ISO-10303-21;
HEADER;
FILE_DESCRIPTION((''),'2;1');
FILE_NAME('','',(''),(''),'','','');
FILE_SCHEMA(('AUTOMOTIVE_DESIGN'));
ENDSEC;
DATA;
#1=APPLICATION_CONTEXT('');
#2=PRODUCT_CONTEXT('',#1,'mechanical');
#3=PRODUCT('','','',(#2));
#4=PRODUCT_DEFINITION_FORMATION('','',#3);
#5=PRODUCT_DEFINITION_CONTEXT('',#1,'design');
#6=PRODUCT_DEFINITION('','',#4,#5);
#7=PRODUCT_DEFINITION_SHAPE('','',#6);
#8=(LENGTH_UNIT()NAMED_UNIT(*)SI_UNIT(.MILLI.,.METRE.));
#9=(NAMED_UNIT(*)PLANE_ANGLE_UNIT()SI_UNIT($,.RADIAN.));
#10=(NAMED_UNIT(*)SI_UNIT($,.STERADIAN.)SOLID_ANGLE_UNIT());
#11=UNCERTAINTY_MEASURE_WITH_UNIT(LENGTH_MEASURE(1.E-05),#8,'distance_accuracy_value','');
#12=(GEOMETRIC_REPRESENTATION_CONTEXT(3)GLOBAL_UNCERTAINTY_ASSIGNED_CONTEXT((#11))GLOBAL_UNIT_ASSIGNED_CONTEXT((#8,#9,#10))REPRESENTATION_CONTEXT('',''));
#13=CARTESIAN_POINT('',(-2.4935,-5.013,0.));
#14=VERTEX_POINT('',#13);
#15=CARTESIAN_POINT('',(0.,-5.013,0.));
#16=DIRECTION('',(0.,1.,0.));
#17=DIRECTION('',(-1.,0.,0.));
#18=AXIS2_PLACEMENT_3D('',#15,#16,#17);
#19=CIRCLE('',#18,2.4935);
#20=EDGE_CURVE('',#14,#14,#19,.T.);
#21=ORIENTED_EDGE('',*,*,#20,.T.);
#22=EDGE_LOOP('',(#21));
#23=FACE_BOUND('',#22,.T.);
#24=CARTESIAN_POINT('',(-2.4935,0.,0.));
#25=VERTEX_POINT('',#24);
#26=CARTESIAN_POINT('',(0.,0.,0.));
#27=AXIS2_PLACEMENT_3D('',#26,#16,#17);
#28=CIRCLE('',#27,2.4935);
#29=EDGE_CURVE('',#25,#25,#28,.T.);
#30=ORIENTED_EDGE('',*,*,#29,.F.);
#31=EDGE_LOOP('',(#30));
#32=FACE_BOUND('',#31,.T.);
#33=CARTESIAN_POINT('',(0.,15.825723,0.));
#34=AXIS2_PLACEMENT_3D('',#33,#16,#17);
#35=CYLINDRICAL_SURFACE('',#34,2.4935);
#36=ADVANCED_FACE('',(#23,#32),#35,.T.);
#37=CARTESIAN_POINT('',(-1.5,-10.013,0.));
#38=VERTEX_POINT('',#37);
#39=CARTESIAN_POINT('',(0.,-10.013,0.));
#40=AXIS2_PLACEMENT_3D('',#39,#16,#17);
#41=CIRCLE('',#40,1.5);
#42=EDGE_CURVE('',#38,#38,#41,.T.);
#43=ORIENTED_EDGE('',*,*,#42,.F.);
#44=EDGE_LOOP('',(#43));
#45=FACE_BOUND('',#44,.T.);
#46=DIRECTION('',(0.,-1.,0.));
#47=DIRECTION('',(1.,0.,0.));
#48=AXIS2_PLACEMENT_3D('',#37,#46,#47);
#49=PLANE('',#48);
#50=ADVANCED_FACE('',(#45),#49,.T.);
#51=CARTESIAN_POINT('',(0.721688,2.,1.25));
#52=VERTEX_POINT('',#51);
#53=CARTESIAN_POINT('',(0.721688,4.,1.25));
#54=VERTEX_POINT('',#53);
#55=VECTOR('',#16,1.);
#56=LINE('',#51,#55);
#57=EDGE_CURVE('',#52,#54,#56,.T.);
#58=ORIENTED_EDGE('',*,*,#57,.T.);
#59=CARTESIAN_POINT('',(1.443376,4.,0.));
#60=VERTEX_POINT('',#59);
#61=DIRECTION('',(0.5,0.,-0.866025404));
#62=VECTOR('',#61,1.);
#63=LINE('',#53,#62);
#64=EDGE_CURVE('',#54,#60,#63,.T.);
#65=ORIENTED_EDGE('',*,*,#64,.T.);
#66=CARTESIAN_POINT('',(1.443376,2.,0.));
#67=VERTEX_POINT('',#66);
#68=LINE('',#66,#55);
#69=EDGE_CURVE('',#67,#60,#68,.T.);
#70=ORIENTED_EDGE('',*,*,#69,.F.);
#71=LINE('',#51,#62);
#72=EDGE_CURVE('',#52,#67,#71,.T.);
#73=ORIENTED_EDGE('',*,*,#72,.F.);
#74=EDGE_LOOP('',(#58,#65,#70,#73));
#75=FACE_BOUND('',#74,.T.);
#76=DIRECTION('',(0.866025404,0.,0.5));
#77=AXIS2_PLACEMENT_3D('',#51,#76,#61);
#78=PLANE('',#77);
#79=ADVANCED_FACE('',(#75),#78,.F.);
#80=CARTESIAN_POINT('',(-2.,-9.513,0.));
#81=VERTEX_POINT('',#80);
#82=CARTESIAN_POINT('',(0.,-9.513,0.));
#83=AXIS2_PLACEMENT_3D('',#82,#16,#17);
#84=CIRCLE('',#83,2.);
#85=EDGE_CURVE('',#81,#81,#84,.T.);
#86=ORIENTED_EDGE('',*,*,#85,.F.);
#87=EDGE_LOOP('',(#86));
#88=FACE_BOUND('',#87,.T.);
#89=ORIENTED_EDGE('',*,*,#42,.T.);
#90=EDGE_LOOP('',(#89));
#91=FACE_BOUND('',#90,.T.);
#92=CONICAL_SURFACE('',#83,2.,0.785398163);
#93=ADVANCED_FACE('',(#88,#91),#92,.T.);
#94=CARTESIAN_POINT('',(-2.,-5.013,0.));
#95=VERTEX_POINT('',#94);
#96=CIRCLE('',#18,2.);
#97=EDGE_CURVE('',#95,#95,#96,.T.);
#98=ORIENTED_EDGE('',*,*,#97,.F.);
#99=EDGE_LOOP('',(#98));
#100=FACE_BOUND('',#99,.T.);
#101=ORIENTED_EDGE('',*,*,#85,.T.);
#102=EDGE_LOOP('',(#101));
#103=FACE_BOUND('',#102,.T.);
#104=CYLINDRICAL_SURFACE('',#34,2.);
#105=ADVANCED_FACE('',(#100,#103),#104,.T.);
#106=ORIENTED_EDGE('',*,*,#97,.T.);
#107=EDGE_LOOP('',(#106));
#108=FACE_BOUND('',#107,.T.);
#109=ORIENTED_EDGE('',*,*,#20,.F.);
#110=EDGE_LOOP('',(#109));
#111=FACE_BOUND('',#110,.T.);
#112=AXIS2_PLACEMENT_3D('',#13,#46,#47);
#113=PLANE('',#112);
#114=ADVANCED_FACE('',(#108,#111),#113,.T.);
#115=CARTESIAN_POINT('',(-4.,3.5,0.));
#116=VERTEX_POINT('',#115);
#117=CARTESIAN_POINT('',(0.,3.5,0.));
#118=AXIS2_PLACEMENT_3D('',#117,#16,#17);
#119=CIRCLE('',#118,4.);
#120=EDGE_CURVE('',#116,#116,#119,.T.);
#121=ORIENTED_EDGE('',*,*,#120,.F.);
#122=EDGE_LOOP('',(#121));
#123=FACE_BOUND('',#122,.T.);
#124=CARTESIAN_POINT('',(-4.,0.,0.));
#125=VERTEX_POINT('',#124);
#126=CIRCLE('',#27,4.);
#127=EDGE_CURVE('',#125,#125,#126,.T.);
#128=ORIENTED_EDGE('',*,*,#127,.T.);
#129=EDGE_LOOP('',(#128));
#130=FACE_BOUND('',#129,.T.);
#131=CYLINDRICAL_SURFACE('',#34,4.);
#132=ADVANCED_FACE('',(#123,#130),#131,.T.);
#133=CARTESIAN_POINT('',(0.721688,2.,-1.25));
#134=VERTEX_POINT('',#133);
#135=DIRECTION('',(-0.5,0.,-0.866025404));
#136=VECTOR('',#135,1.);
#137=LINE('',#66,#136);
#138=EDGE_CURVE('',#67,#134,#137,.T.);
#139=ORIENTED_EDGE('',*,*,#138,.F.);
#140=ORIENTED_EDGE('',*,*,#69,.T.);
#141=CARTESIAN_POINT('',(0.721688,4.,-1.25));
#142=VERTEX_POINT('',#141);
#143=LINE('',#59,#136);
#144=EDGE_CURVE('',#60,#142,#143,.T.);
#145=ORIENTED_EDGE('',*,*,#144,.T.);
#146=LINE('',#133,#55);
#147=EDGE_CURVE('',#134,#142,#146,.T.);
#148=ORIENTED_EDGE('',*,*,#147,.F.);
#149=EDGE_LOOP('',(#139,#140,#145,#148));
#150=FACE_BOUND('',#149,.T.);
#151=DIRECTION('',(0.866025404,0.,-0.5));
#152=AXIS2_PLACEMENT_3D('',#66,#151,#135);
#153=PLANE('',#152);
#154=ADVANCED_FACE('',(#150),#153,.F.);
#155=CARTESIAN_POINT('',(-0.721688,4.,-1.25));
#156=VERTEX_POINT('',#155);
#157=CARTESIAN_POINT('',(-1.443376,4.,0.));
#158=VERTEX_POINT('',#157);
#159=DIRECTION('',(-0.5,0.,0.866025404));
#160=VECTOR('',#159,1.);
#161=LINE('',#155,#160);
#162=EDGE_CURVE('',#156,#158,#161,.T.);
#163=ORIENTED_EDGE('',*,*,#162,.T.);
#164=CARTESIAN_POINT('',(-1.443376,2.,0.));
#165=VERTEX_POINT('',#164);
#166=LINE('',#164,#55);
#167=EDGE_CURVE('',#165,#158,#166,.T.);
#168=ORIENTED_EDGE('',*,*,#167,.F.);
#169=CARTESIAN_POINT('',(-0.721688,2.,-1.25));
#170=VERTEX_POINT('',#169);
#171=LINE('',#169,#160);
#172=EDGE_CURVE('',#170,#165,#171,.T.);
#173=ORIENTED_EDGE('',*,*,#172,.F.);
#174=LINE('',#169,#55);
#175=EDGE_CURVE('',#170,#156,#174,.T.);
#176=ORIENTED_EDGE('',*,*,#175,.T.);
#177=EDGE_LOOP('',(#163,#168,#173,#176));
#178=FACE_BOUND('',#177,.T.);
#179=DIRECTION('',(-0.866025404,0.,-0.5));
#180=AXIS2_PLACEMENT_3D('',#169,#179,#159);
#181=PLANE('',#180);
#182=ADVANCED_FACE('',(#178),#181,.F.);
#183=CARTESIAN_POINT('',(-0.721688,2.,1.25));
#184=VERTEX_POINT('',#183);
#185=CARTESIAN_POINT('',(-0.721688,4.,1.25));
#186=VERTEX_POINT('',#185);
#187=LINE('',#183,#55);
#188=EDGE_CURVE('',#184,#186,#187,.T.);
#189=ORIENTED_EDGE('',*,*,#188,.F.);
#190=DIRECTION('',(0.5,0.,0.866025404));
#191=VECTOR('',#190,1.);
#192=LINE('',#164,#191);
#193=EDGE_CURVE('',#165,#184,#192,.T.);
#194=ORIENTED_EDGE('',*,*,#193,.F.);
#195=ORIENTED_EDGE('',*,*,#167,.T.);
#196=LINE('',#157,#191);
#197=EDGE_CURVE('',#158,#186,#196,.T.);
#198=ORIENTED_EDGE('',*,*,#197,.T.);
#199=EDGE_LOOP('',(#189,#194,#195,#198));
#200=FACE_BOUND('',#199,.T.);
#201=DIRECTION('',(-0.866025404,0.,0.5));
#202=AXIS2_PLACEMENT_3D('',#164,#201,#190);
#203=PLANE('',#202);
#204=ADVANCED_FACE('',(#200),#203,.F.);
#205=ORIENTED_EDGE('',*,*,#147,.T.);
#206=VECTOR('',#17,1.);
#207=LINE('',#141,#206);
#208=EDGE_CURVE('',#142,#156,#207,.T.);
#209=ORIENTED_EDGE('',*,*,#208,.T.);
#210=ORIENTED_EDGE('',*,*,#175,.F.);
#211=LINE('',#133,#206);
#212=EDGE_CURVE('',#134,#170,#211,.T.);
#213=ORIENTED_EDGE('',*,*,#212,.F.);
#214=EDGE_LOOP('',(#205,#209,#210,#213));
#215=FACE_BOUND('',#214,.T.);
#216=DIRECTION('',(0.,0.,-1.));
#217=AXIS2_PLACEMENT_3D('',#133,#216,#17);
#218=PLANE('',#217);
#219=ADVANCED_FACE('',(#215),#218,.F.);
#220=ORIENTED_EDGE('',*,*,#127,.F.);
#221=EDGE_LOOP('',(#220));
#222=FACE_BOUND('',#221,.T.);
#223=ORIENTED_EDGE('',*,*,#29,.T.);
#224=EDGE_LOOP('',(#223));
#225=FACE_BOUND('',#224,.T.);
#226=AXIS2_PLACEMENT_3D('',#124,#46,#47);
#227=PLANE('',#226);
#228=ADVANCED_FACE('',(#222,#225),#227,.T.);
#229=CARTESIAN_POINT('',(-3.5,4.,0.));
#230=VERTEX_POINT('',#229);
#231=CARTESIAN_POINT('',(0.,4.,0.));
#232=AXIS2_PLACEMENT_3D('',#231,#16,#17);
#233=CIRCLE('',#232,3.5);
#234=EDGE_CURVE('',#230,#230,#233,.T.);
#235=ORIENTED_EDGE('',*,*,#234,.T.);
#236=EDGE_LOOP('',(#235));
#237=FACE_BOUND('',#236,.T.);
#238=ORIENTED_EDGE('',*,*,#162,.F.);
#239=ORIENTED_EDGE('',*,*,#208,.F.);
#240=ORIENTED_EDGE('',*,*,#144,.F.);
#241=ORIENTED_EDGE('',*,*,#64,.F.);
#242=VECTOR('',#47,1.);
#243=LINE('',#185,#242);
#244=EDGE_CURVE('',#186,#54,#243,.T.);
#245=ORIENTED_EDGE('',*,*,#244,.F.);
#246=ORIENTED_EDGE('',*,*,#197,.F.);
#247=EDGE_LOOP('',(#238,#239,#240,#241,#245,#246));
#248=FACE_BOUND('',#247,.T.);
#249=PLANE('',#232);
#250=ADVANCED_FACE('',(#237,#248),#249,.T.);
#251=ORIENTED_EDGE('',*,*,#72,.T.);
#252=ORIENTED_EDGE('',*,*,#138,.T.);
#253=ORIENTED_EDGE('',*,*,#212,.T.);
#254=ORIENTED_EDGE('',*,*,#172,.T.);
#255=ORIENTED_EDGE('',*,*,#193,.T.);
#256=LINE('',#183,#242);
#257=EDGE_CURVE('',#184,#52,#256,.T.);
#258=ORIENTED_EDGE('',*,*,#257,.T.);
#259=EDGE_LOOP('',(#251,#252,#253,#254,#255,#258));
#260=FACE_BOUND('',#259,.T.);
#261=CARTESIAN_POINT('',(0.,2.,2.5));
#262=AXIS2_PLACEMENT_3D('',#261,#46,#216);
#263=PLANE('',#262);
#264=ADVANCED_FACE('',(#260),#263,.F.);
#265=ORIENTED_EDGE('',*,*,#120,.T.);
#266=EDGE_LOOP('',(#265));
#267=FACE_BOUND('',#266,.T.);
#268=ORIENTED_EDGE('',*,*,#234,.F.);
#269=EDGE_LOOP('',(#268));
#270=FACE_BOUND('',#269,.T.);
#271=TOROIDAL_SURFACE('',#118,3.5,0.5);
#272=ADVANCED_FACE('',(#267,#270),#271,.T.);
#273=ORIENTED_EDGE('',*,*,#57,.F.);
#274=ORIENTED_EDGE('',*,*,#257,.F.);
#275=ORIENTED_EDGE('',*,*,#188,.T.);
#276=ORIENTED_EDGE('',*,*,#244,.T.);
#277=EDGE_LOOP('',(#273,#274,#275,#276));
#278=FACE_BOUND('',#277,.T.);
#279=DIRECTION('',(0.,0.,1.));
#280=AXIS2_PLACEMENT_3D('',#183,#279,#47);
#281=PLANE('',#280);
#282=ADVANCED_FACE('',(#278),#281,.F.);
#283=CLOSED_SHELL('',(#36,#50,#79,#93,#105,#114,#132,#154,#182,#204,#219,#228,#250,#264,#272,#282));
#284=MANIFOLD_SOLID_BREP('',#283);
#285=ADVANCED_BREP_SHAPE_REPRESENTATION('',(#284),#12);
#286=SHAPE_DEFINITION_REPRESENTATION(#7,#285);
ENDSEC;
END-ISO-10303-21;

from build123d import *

# Parameters (mm, degrees)
ENL_V_MAT_EXTRU_1_DEPTH = 2


with BuildPart() as part:
    # Esquisse1 → Révolution1 (revolve)
    with BuildSketch(Plane.XY):
        with BuildLine():
            Line((0, 4), (-3.5, 4))
            ThreePointArc((-3.5, 4), (-3.853553391, 3.853553391), (-4, 3.5))
            Line((-4, 3.5), (-4, 0))
            Line((-4, 0), (-2.4935, 0))
            Line((-2.4935, 0), (-2.4935, -5.013))
            Line((-2.4935, -5.013), (-2, -5.013))
            Line((-2, -5.013), (-2, -9.513))
            Line((-2, -9.513), (-1.5, -10.013))
            Line((-1.5, -10.013), (0, -10.013))
            Line((0, -10.013), (0, 4))
        make_face()
    revolve(axis=Axis((0, 15.825722622, 0), (0, -1, 0)))

    # Esquisse2 → Enlèv. mat.-Extru.1 (cut)
    with BuildSketch(Plane(origin=(0, 4, 0), x_dir=(-1, 0, 0), z_dir=(0, 1, 0))):
        Polygon((-1.443375673, 0), (-0.721687836, -1.25), (0.721687836, -1.25), (1.443375673, 0), (0.721687836, 1.25), (-0.721687836, 1.25), align=None)
    extrude(amount=-ENL_V_MAT_EXTRU_1_DEPTH, mode=Mode.SUBTRACT)


solid = part.part
